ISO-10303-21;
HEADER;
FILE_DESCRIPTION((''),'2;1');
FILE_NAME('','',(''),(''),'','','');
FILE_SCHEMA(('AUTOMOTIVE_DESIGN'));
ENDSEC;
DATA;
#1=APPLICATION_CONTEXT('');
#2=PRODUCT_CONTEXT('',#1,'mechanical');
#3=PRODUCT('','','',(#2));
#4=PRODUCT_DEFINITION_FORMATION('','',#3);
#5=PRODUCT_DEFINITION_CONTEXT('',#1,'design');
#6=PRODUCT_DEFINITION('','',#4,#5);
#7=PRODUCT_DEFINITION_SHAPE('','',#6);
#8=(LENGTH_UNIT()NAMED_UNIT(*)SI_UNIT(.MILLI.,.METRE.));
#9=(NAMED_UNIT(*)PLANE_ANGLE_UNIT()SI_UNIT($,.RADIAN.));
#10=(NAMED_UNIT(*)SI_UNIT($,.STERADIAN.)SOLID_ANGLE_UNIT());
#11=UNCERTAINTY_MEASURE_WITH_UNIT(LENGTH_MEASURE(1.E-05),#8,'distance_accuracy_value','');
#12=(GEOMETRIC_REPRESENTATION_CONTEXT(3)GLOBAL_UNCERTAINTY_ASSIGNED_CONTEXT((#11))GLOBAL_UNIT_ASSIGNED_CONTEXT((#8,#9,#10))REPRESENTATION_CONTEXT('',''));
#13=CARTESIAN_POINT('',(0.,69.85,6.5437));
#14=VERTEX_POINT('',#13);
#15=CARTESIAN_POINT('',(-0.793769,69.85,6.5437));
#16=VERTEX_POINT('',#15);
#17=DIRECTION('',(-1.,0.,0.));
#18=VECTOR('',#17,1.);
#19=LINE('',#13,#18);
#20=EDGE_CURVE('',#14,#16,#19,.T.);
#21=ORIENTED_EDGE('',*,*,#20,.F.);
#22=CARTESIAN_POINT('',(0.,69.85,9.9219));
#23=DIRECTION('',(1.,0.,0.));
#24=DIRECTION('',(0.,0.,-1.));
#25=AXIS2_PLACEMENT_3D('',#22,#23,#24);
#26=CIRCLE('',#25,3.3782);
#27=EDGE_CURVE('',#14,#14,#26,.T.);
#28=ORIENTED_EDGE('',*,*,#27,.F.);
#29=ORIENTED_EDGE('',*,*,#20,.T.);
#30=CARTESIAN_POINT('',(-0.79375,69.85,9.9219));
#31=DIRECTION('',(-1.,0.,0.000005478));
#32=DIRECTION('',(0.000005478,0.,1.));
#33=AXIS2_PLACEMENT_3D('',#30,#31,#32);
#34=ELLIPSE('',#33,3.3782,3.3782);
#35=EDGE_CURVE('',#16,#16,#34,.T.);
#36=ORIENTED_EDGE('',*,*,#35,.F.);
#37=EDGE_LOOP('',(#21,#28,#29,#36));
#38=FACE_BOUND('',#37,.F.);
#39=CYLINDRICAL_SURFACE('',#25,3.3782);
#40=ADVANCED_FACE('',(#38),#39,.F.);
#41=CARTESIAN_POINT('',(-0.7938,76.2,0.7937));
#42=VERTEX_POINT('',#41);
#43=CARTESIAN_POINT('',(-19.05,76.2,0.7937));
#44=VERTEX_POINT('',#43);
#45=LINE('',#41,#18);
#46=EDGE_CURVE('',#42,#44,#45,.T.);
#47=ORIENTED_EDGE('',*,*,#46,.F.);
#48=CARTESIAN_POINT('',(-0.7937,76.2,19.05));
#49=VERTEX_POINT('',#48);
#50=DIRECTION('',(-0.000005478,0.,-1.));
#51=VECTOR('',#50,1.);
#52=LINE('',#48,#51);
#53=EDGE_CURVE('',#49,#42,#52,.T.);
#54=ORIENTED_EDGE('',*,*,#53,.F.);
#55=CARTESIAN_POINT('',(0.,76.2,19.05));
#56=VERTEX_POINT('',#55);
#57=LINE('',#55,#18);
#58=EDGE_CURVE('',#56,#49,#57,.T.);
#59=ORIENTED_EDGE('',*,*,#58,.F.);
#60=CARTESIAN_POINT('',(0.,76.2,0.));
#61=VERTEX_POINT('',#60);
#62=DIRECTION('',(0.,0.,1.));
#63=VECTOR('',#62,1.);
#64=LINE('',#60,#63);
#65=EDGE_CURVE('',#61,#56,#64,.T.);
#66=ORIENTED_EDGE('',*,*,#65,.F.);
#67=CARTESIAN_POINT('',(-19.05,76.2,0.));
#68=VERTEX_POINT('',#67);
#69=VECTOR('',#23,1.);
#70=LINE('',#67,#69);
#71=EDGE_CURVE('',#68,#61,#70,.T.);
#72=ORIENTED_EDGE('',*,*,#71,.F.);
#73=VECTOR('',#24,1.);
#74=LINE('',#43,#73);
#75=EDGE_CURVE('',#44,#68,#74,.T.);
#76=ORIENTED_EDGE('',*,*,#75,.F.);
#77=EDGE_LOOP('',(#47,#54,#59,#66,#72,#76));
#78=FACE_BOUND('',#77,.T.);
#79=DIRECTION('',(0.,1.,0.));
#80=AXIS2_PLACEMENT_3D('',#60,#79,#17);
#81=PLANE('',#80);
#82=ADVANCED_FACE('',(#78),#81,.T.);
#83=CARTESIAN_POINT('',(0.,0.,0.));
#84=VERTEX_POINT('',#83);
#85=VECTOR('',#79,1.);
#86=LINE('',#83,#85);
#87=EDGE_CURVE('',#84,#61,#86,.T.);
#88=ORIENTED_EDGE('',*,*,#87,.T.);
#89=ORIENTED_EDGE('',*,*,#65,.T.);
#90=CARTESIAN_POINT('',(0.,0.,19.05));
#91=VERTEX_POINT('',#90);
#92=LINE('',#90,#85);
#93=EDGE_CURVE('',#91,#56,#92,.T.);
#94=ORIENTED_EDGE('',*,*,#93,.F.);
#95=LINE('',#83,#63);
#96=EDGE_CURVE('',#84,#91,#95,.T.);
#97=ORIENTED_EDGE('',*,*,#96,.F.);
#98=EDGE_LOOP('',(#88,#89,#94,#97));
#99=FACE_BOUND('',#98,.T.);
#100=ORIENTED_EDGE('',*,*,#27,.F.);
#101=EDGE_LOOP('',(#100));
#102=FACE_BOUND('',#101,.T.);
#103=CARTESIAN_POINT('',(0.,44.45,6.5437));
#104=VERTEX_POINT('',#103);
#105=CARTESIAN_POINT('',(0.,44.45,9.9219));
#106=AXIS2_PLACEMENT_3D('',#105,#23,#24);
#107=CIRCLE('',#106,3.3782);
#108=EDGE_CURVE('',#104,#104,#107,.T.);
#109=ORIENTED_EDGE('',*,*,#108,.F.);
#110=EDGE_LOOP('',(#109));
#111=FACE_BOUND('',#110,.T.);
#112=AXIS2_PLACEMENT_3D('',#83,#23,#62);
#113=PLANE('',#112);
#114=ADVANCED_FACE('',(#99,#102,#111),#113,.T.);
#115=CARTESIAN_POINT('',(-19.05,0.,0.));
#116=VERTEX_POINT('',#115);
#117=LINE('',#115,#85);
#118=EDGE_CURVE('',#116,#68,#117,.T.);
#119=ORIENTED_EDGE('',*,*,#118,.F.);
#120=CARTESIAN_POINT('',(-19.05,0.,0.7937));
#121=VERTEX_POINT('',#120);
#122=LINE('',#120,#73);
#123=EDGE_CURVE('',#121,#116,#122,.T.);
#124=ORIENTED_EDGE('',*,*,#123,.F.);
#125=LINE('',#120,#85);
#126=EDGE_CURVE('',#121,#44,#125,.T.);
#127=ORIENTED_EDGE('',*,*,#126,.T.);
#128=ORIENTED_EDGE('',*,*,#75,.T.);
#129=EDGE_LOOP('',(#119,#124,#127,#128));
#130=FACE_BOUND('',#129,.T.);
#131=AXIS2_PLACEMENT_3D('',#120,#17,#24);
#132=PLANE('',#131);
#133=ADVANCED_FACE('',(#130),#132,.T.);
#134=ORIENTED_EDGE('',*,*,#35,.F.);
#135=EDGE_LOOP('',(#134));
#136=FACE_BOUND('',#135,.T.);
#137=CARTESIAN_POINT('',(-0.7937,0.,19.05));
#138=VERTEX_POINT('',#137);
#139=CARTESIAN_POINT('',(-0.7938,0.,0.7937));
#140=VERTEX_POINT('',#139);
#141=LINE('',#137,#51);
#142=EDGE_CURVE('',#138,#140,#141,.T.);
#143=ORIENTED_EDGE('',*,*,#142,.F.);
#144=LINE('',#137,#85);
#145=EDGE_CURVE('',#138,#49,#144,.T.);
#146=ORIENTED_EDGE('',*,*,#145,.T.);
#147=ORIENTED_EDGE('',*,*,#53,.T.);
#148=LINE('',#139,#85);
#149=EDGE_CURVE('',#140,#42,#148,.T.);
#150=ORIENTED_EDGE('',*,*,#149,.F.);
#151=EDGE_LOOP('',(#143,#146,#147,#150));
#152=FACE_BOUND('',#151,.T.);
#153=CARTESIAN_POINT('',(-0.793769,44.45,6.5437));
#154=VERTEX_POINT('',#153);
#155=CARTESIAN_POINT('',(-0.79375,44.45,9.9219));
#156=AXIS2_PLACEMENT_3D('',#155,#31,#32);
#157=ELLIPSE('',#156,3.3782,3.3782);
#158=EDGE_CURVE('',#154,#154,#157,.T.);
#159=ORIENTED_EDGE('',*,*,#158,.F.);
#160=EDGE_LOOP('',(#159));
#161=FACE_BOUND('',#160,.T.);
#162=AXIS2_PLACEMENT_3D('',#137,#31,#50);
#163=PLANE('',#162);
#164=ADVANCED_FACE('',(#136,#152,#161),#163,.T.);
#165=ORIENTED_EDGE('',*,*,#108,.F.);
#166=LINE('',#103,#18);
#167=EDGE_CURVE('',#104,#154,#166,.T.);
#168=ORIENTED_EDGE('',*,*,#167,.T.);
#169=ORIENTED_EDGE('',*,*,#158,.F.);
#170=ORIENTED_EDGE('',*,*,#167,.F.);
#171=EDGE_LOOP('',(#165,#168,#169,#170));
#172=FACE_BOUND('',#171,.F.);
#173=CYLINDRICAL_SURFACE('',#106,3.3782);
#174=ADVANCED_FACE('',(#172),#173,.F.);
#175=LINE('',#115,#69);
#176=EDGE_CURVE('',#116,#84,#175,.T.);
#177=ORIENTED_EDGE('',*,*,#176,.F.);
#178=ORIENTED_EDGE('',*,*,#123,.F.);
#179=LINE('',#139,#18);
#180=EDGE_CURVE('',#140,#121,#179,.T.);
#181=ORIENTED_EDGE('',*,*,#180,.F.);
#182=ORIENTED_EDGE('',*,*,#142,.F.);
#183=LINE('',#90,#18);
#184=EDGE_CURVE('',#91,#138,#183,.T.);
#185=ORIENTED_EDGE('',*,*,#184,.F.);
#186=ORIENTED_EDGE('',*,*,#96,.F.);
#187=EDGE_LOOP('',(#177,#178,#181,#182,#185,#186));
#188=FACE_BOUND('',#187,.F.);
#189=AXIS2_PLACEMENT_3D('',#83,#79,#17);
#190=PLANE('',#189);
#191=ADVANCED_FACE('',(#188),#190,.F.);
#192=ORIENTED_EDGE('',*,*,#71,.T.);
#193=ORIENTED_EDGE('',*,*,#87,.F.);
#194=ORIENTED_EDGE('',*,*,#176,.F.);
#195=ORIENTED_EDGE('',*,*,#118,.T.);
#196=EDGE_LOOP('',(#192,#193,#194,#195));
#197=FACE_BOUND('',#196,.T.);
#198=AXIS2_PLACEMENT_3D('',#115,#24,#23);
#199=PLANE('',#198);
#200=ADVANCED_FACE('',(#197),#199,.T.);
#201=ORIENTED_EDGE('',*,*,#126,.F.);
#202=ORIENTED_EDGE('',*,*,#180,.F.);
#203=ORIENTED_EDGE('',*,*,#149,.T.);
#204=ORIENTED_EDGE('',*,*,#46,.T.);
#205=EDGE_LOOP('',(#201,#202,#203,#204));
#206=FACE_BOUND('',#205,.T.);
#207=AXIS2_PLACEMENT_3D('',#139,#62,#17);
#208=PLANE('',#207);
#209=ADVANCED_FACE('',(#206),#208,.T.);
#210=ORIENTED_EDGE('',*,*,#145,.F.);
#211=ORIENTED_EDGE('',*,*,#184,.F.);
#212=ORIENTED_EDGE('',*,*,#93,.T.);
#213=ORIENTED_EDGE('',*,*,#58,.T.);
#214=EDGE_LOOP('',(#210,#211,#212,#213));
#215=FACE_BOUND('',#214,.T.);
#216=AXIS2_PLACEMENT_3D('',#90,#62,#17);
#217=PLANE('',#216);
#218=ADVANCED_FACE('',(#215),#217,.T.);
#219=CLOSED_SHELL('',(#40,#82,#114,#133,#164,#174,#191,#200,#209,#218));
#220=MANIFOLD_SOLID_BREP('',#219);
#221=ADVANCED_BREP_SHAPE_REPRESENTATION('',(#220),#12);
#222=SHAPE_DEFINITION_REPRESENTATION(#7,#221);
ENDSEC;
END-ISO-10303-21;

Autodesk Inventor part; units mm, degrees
ref_plane "YZ Plane" through (0, 0, 0) normal (1, 0, 0) x (0, 1, 0)
ref_plane "XZ Plane" through (0, 0, 0) normal (0, 1, 0) x (-1, 0, 0)
ref_plane "XY Plane" through (0, 0, 0) normal (0, 0, 1) x (1, 0, 0)
sketch "Sketch1" plane through (0, 0, 0) normal (0, 1, 0) x (-1, 0, 0)
  line L0 (0, 0) -> (0, 19.05)
  line L1 (0, 19.05) -> (0.7937, 19.05)
  line L2 (0.7937, 19.05) -> (0.7938, 0.7937)
  line L3 (0.7938, 0.7937) -> (19.05, 0.7937)
  line L4 (19.05, 0.7937) -> (19.05, 0)
  line L5 (19.05, 0) -> (0, 0)
  dimension "d0" = 19.05
  dimension "d1" = 0.7937
extrude "Extrusion1" add sketch "Sketch1" along normal blind 76.2
sketch "Sketch2" plane through (0, 0, 19.05) normal (1, 0, 0) x (0, 0, -1)
  circle A0 centre (9.1281, 69.85) radius 3.3782
  circle A1 centre (9.1281, 44.45) radius 3.3782
  line L0 (0, 76.2) -> (19.05, 76.2) projected
  line L1 (0, 0) -> (0, 76.2) projected
  line L2 (18.2563, 0) -> (18.2563, 76.2) projected
  line L3 (18.2563, 38.1) -> (0, 38.1) construction
  line L4 (9.1281, 38.1) -> (9.1281, 76.2) construction
  dimension "d5" = 6.7564
  dimension "d18" = 25.4
  dimension "d19" = 6.35
extrude "Extrusion2" cut sketch "Sketch2" against normal through all
properties part number "Shooter Main Gear Guide Bar" material "Aluminum 6061"
